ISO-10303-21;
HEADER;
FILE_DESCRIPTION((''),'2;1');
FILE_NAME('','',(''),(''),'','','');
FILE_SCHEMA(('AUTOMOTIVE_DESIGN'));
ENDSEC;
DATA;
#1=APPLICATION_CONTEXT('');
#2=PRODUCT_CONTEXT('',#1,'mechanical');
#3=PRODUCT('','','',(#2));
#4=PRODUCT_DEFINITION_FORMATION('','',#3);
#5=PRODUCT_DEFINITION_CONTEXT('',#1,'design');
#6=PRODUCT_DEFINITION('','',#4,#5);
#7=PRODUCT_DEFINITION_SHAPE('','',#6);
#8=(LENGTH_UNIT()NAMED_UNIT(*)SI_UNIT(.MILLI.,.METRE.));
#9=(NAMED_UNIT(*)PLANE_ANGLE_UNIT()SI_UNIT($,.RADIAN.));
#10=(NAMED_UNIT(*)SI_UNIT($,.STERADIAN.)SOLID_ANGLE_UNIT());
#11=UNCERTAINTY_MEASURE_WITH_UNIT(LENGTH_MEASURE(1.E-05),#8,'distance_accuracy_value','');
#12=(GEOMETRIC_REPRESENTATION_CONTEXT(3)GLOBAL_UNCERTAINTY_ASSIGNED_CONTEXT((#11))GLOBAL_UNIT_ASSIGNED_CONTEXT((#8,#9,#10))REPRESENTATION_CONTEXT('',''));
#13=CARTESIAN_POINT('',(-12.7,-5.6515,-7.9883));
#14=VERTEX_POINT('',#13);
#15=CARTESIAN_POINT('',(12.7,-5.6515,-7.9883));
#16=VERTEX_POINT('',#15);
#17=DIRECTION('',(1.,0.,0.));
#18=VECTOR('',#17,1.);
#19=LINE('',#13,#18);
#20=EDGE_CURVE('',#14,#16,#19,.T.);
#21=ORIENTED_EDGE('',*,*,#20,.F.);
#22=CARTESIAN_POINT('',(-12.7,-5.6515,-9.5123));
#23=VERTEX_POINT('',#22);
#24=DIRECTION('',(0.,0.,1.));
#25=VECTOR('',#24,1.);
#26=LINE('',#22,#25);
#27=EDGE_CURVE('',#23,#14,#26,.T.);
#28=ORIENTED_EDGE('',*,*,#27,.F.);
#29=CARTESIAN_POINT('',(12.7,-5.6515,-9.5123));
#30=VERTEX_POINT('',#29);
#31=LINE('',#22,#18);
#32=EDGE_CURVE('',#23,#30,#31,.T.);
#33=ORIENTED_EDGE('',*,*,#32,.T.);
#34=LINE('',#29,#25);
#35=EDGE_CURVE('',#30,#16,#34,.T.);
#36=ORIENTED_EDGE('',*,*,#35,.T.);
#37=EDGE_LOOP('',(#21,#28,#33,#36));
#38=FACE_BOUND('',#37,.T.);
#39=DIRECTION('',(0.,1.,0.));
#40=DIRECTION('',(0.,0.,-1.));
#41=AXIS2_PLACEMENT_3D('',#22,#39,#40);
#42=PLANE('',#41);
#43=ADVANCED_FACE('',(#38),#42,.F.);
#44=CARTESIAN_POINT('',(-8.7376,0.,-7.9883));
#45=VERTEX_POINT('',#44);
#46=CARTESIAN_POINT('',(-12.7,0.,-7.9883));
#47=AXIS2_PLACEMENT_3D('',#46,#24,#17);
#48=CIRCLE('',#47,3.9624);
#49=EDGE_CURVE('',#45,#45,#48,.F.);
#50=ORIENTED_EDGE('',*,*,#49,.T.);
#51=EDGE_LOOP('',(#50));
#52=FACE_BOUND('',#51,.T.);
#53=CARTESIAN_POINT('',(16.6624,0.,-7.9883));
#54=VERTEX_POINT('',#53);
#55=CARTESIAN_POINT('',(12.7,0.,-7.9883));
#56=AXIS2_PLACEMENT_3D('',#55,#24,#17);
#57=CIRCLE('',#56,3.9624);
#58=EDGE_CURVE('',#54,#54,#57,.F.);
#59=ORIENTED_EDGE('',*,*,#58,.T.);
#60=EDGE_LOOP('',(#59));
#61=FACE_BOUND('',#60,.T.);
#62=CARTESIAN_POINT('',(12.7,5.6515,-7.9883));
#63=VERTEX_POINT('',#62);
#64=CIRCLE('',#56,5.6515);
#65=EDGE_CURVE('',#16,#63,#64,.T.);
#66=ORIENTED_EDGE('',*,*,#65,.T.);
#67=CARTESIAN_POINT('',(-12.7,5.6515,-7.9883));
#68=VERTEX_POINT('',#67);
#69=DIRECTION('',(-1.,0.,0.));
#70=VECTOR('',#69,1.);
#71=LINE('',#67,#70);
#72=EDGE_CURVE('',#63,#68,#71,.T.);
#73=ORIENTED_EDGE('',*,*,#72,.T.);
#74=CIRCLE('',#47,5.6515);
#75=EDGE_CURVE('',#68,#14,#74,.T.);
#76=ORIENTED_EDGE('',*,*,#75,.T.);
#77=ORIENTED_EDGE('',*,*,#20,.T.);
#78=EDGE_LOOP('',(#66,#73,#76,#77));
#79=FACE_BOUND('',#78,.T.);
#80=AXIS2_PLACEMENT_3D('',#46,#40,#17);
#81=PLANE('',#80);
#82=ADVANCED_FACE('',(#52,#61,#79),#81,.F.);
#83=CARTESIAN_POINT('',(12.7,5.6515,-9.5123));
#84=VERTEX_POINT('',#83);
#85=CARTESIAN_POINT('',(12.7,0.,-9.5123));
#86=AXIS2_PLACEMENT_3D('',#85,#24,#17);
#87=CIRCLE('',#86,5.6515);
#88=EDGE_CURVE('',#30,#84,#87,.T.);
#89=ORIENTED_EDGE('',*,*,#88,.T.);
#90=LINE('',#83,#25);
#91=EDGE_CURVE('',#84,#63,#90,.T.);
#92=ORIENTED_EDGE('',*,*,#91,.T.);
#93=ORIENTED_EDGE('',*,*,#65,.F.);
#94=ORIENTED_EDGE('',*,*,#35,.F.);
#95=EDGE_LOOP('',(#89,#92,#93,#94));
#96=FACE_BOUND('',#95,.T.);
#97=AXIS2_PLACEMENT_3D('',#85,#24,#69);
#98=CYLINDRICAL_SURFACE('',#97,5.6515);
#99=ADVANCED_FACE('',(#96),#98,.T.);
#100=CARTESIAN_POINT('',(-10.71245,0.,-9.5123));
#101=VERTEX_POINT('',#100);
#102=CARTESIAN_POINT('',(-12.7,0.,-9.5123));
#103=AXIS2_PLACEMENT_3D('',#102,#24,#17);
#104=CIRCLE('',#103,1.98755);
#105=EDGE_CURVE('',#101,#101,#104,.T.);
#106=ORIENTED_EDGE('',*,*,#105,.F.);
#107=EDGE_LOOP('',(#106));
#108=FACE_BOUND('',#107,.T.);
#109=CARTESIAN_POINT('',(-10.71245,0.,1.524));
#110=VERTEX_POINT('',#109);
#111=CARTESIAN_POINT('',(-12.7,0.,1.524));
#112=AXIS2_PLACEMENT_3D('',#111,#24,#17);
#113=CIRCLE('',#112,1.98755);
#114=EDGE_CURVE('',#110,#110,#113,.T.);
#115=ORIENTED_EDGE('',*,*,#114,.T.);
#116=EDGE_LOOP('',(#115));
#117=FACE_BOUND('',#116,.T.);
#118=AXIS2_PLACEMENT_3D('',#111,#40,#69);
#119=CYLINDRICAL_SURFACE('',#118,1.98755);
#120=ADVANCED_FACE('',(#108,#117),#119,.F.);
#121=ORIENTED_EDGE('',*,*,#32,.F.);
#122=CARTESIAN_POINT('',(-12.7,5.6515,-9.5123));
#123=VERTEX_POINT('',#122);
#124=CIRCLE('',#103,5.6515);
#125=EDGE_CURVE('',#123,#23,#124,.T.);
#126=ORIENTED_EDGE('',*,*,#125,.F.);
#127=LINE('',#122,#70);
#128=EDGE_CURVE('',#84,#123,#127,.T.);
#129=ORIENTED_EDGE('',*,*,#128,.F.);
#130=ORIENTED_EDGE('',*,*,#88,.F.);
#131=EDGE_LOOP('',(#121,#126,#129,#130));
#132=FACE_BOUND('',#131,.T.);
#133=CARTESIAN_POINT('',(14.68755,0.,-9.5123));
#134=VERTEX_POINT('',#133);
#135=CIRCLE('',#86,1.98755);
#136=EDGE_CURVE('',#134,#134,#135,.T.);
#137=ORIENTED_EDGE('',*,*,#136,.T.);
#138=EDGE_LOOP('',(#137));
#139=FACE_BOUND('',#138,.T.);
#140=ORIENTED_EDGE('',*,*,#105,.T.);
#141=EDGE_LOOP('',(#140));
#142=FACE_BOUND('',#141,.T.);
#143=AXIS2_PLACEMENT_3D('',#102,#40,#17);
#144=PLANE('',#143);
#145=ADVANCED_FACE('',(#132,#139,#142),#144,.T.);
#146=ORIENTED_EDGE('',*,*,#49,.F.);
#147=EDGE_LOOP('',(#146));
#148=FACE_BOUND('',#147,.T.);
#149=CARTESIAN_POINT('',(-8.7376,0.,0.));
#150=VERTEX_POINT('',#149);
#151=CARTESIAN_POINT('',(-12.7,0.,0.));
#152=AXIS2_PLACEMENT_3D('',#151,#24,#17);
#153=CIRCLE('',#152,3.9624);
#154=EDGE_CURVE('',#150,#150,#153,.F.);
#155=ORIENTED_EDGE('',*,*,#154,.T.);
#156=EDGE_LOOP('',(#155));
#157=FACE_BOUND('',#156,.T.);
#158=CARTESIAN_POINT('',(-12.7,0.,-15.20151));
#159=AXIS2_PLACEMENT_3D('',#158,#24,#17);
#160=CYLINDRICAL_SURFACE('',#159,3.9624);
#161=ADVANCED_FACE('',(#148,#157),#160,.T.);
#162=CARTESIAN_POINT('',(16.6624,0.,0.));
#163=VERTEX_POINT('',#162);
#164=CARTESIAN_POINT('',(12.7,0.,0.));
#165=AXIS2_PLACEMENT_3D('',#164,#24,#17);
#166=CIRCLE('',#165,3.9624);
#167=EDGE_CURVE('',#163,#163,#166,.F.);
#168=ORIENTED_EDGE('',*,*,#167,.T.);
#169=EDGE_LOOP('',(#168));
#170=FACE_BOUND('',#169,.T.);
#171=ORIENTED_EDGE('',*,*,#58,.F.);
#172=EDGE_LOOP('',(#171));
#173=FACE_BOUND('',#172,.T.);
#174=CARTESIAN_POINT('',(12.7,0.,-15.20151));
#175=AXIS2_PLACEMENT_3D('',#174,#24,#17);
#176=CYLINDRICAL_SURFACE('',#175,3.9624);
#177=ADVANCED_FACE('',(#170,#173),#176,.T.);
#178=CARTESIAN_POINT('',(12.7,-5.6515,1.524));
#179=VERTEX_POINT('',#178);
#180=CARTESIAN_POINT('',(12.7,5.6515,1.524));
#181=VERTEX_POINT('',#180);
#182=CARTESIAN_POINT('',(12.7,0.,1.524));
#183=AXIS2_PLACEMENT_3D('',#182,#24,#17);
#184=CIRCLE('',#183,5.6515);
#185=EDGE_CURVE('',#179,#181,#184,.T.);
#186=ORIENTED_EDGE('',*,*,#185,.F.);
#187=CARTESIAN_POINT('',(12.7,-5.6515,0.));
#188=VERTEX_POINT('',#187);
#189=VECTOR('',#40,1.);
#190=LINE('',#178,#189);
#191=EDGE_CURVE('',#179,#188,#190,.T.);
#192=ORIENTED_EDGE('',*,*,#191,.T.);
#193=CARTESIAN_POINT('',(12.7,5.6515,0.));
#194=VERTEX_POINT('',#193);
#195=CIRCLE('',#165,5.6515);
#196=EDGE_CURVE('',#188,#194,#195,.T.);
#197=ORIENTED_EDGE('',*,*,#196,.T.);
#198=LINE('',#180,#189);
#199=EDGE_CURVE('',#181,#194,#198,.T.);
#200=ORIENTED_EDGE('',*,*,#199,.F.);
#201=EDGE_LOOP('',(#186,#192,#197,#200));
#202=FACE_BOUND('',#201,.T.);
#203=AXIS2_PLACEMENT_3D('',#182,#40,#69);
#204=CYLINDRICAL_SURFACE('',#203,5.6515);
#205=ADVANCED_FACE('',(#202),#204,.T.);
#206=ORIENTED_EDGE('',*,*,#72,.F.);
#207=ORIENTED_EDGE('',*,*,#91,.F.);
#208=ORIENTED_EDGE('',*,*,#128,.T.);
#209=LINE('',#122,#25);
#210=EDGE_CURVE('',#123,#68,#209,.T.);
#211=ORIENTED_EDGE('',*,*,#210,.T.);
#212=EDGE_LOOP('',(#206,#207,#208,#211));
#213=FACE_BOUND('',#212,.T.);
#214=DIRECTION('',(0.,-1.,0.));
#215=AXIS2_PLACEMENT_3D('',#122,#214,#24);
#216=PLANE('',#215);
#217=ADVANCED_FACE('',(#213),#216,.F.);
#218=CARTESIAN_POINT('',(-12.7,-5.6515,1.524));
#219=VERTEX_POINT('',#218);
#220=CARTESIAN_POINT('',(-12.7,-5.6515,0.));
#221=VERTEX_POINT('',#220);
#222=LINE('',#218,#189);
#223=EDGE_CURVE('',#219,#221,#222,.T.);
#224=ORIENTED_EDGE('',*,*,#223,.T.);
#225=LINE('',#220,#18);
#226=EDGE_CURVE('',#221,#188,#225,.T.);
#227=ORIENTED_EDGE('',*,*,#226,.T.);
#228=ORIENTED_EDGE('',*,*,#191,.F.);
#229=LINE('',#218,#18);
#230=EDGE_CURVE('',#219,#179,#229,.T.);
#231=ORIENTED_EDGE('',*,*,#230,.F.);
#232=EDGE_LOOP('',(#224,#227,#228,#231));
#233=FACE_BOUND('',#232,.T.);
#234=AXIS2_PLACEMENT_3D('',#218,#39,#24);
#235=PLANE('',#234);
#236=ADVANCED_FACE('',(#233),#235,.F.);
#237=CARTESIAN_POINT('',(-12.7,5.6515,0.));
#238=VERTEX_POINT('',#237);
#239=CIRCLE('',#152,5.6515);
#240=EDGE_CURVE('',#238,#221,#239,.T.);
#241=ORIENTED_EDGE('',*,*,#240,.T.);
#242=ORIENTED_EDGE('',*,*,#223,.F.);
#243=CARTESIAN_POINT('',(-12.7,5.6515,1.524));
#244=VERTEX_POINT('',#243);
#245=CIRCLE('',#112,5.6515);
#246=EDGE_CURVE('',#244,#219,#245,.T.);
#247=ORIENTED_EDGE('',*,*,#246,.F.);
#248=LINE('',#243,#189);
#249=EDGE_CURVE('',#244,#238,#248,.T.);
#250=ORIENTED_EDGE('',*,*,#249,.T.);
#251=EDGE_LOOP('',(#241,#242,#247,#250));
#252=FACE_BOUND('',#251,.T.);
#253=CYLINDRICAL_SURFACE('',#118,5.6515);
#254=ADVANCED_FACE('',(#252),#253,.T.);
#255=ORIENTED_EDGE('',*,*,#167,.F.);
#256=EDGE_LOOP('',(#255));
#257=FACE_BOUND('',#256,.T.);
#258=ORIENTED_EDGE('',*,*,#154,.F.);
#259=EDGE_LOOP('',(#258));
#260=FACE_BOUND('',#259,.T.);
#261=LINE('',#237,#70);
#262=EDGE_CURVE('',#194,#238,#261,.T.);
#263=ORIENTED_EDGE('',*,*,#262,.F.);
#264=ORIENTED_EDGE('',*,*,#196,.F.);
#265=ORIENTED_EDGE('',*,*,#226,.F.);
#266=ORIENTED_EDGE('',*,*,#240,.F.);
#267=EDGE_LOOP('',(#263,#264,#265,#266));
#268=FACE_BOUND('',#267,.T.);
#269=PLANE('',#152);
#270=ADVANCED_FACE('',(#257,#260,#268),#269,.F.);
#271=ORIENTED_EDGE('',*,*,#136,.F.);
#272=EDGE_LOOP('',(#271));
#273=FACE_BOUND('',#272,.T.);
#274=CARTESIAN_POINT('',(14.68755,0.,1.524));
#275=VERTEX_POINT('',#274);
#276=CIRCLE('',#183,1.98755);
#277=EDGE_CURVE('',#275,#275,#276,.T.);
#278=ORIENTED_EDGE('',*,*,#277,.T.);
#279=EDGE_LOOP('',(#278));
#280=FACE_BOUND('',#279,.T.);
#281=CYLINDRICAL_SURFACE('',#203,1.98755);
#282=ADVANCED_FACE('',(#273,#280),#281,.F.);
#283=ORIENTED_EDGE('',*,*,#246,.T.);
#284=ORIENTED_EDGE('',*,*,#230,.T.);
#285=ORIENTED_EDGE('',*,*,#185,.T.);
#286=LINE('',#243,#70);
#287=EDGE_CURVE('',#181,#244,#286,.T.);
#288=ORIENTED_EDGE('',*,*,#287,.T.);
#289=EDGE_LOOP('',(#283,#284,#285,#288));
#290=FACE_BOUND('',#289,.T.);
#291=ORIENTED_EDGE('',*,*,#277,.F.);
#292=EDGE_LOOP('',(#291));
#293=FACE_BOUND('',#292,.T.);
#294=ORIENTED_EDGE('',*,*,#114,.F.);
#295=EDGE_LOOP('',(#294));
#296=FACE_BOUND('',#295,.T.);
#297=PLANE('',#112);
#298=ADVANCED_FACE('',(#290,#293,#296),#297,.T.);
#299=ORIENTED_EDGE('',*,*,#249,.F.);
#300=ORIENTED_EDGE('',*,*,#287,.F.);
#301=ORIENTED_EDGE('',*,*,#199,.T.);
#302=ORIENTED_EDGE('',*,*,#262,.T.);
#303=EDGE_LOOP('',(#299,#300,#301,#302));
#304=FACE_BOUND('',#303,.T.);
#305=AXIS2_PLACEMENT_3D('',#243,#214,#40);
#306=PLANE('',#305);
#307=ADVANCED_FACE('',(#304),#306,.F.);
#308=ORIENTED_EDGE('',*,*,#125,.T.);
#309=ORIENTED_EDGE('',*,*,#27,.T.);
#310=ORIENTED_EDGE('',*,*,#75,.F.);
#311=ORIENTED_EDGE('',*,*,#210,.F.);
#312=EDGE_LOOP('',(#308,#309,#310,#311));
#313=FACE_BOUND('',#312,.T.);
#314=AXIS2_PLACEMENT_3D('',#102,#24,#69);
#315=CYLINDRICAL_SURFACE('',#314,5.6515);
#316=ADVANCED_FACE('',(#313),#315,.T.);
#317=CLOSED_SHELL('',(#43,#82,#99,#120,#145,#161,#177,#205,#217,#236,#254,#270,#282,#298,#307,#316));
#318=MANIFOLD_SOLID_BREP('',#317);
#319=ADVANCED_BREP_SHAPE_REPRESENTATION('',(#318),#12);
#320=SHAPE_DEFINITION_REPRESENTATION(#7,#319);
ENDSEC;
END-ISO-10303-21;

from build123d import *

# Parameters (mm, degrees)
SKETCH1_R           = 1.98755
BOSS_EXTRUDE1_DEPTH = 1.524
SKETCH3_R           = 3.9624
SKETCH3_R_2         = 1.98755
BOSS_EXTRUDE2_DEPTH = 3.99415


with BuildPart() as part:
    # Sketch1 → Boss-Extrude1 (new body)
    with BuildSketch(Plane.XY):
        with BuildLine():
            Line((-12.7, 5.6515), (12.7, 5.6515))
            ThreePointArc((12.7, 5.6515), (18.3515, 0), (12.7, -5.6515))
            Line((12.7, -5.6515), (-12.7, -5.6515))
            ThreePointArc((-12.7, -5.6515), (-18.3515, 0), (-12.7, 5.6515))
        make_face()
        with Locations((-12.7, 0)):
            Circle(SKETCH1_R, mode=Mode.SUBTRACT)
        with Locations((12.7, 0)):
            Circle(SKETCH1_R, mode=Mode.SUBTRACT)
    boss_extrude1 = extrude(amount=BOSS_EXTRUDE1_DEPTH)

    # Sketch3 → Boss-Extrude2 (add)
    with BuildSketch(Plane(origin=(0, 0, 0), x_dir=(-1, 0, 0), z_dir=(0, 0, -1))):
        with Locations((-12.7, 0)):
            Circle(SKETCH3_R)
        with Locations((-12.7, 0)):
            Circle(SKETCH3_R_2, mode=Mode.SUBTRACT)
        with Locations((12.7, 0)):
            Circle(SKETCH3_R)
        with Locations((12.7, 0)):
            Circle(SKETCH3_R_2, mode=Mode.SUBTRACT)
    boss_extrude2 = extrude(amount=BOSS_EXTRUDE2_DEPTH)

    # Mirror4: Boss-Extrude1, Boss-Extrude2 across plane
    add(boss_extrude1.mirror(Plane.XY.offset(-3.99415)))
    add(boss_extrude2.mirror(Plane.XY.offset(-3.99415)))


solid = part.part
